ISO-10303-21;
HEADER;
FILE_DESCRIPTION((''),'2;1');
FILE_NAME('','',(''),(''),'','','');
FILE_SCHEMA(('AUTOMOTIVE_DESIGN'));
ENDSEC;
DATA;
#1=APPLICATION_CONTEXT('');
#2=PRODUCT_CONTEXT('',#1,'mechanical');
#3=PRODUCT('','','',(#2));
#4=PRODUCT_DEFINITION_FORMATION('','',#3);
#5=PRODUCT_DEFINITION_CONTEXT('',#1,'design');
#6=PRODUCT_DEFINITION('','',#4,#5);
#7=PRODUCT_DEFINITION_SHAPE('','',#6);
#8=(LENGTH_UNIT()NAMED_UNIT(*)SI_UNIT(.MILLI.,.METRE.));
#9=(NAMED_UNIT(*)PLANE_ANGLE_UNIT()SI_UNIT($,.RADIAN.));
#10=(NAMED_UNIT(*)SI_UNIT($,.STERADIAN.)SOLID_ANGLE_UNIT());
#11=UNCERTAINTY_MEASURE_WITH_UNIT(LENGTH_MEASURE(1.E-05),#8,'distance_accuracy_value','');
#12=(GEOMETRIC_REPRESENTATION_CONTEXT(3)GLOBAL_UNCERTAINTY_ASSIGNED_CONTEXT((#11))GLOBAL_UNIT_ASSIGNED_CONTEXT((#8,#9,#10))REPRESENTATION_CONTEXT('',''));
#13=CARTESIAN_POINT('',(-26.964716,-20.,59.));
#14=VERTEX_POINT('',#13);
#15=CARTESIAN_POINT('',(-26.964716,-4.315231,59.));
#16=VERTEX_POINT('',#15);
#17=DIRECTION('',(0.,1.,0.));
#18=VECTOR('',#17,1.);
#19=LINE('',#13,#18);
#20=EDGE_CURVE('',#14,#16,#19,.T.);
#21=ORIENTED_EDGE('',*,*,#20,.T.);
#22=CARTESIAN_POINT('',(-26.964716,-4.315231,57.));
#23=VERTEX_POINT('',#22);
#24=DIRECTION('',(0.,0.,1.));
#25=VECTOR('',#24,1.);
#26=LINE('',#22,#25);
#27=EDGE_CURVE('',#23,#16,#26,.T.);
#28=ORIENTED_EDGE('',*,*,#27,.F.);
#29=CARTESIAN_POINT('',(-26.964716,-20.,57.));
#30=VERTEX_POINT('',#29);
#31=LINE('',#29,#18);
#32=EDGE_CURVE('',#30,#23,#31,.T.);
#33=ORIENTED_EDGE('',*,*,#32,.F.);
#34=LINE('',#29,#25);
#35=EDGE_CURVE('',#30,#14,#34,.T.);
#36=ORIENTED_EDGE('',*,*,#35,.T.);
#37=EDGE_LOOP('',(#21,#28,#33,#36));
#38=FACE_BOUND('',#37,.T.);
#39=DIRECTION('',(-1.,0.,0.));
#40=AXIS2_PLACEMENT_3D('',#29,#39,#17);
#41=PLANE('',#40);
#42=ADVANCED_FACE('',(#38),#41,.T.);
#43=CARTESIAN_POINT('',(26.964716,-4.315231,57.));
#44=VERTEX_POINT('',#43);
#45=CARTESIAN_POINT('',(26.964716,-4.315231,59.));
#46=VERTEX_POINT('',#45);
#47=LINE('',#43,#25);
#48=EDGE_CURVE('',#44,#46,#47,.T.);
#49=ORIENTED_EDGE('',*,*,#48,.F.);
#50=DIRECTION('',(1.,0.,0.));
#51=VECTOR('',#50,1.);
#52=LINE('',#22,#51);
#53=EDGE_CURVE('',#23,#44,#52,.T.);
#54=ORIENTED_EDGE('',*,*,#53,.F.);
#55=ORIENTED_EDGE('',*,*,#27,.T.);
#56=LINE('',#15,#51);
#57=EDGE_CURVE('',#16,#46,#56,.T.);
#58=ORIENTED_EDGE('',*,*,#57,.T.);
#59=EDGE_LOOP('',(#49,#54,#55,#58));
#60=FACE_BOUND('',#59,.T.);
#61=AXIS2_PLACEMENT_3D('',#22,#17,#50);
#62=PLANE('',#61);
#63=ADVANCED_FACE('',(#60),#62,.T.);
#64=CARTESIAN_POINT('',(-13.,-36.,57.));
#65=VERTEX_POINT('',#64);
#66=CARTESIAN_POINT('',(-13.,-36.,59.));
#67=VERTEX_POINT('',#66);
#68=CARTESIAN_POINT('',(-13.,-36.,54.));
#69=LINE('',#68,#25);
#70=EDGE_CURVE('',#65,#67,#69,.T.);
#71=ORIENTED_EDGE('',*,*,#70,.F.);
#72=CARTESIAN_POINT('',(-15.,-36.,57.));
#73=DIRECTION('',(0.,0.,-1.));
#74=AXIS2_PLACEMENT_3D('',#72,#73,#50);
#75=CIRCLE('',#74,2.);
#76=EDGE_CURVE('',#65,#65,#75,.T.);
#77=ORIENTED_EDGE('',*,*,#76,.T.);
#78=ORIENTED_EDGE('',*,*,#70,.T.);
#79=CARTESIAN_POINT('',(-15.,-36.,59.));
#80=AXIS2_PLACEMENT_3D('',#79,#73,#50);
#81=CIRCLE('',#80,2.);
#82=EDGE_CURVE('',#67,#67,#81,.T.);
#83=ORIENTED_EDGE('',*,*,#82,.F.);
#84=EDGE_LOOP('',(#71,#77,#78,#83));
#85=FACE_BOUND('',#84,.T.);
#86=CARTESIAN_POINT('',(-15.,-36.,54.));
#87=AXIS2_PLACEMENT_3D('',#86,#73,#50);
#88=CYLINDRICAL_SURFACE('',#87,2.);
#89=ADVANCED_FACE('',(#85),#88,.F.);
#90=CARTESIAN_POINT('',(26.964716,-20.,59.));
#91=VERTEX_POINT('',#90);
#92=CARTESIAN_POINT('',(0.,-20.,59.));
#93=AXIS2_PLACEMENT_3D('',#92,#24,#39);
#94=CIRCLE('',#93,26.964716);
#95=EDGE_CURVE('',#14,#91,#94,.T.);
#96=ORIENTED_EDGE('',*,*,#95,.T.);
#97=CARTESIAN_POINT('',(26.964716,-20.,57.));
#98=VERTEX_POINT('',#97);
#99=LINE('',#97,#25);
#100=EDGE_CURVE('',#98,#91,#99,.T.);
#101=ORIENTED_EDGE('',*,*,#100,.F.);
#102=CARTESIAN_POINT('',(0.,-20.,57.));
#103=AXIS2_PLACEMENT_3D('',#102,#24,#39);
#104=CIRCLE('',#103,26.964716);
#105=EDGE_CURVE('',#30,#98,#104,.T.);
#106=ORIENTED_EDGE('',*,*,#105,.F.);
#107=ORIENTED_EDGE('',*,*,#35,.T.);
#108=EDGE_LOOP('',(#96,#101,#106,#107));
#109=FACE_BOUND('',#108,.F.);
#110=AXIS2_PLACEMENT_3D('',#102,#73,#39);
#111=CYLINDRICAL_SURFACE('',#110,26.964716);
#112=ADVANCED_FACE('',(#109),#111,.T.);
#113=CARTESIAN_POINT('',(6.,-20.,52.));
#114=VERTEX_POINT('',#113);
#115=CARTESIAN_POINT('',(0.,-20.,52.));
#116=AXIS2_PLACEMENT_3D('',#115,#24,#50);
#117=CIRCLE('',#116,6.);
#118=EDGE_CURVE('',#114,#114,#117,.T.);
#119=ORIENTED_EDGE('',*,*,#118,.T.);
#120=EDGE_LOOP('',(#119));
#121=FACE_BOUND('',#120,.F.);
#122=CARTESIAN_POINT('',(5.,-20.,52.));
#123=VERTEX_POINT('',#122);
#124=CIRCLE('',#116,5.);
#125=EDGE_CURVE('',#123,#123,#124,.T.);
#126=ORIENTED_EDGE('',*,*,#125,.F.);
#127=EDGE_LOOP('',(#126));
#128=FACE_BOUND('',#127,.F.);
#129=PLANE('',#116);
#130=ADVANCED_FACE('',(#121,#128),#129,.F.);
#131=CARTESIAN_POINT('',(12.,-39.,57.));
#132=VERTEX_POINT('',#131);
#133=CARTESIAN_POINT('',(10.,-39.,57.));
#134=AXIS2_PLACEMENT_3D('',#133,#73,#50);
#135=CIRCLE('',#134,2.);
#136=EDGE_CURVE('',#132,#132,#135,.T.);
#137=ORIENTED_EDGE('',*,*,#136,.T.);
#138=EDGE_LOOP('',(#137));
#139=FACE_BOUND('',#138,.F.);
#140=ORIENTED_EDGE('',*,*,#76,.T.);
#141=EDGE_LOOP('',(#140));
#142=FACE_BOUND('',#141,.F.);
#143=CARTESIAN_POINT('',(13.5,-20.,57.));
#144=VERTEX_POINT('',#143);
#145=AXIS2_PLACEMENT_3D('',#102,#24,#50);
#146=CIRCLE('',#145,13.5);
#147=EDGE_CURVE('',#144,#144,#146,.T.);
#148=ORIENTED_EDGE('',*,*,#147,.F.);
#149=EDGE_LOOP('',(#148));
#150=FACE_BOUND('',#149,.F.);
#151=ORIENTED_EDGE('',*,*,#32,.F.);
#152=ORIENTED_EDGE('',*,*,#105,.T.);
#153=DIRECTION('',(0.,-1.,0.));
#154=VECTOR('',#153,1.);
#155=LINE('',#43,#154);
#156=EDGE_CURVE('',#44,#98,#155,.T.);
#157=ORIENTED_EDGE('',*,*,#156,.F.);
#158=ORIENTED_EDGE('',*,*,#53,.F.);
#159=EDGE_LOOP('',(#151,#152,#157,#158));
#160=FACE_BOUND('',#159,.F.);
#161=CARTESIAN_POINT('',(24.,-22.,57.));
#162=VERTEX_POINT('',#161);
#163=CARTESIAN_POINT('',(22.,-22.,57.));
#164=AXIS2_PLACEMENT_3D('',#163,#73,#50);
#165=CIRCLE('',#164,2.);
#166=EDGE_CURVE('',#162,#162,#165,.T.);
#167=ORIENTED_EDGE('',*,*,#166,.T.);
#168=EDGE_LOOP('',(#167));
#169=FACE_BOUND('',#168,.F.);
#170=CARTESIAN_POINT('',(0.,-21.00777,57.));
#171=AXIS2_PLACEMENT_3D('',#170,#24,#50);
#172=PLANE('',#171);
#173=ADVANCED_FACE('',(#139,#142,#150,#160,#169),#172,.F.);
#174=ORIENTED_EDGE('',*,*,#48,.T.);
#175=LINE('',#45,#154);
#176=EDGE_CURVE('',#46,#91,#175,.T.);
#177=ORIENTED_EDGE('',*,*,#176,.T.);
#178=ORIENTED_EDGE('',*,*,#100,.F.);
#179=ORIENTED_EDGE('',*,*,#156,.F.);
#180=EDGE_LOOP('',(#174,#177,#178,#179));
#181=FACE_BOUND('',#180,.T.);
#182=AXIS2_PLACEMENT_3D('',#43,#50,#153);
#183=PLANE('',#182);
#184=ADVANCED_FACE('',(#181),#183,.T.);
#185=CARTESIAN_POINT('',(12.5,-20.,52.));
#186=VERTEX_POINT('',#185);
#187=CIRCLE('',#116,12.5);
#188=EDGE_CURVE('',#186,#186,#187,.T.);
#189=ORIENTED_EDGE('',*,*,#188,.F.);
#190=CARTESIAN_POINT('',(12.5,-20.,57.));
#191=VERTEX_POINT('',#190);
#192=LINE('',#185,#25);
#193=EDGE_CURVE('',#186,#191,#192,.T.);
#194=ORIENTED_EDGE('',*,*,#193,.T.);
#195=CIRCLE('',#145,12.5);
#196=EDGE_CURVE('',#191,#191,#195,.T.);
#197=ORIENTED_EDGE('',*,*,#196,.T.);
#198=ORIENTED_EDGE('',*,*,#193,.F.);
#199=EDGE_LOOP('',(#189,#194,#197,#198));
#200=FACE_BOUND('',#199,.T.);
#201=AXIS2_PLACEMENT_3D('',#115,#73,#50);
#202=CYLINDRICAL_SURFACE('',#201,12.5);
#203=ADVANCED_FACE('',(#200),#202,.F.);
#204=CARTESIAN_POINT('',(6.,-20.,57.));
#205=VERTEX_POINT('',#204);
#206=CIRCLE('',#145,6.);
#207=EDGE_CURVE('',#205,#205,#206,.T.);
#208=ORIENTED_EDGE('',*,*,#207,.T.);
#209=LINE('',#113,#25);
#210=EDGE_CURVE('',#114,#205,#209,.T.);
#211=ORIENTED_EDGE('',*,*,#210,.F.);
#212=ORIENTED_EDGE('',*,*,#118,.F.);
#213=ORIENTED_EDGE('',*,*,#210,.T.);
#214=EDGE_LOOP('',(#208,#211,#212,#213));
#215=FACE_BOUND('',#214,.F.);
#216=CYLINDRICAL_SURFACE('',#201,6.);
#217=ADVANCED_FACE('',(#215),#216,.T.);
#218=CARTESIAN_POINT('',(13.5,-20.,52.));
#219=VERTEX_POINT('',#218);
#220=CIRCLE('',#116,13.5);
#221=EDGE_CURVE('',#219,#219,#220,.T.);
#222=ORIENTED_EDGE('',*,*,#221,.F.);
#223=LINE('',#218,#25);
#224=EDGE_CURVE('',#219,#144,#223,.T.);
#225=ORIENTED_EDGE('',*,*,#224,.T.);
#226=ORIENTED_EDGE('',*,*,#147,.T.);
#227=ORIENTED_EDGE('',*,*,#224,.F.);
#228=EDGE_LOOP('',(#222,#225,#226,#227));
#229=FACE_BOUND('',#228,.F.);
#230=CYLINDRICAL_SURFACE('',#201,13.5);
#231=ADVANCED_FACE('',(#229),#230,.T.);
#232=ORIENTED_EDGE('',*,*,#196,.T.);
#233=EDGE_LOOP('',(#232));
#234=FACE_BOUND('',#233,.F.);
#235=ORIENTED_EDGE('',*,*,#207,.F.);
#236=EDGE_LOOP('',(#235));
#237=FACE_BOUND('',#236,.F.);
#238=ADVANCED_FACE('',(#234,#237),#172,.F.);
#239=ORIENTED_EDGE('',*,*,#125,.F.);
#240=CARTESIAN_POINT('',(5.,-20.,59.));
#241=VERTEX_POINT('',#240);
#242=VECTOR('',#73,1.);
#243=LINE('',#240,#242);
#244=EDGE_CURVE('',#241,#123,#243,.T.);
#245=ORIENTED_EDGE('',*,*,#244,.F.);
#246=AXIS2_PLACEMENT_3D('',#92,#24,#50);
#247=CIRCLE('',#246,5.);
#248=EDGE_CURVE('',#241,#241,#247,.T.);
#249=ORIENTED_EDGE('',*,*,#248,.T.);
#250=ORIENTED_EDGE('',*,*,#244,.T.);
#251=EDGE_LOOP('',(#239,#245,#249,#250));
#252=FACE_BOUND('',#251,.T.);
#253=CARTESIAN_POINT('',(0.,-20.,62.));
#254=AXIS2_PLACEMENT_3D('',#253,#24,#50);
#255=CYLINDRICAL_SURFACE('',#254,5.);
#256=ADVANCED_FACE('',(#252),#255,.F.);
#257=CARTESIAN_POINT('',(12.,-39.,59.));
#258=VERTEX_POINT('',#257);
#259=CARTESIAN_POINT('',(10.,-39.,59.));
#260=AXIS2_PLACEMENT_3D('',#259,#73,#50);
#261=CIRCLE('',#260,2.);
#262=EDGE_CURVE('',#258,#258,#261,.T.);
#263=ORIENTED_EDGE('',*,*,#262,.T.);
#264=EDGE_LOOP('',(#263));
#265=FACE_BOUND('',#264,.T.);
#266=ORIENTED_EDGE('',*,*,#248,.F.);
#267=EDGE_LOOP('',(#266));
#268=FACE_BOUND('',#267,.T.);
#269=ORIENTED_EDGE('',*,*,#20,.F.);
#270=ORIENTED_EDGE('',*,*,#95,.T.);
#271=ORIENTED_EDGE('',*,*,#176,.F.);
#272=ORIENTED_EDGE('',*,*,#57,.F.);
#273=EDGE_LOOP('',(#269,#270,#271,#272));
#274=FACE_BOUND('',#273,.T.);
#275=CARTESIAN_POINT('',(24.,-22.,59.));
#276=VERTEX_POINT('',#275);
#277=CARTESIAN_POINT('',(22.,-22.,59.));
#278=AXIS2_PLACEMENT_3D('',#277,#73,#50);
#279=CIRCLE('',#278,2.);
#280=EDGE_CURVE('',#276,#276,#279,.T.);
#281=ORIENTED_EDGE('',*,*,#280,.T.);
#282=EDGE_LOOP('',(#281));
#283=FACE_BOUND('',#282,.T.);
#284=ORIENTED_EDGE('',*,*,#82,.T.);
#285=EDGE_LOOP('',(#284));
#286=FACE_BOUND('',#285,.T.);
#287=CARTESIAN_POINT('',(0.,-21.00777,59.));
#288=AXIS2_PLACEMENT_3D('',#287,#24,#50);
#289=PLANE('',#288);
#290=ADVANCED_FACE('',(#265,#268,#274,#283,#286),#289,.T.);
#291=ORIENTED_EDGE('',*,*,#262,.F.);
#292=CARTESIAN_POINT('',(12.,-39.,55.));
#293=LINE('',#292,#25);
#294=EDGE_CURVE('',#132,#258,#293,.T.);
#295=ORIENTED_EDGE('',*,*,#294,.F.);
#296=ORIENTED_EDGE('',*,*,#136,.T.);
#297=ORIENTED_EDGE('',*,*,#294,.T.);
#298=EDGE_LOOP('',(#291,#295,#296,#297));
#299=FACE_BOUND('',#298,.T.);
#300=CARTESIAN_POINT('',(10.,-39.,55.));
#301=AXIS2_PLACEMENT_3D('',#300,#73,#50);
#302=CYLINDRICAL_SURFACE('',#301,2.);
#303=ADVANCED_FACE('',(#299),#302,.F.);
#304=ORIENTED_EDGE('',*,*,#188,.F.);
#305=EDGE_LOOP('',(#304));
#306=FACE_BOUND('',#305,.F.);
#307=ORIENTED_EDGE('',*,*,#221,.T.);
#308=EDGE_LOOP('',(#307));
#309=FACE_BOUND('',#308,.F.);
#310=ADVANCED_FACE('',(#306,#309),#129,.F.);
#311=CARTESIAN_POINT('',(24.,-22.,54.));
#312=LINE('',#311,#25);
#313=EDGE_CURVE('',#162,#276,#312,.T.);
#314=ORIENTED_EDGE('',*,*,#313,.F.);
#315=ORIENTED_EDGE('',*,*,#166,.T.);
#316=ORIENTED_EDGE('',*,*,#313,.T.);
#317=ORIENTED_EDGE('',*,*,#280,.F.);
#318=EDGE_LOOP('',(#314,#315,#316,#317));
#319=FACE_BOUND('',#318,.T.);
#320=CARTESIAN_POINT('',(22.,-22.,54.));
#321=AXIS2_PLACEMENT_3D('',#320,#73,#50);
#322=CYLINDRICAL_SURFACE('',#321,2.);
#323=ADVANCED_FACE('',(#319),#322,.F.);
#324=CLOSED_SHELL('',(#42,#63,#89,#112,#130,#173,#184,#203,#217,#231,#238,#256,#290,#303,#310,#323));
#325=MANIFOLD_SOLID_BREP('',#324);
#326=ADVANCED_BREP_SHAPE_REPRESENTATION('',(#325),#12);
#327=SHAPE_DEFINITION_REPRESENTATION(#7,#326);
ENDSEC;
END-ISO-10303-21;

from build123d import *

# Parameters (mm, degrees)
CYLINDER003_R     = 5
CYLINDER003_DEPTH = 10
CYLINDER001_R     = 2
CYLINDER001_DEPTH = 10
CYLINDER002_R     = 2
CYLINDER002_DEPTH = 10
CYLINDER_R        = 2
CYLINDER_DEPTH    = 10
EXTRUDE005_DEPTH  = 2
SKETCH003_R       = 13.5
SKETCH003_R_2     = 12.5
SKETCH003_R_3     = 6
SKETCH003_R_4     = 5
EXTRUDE003_DEPTH  = 5


with BuildPart() as cylinder003:
    # Cylinder003 → Cylinder003 (new body)
    with BuildSketch(Plane(origin=(0, -20, 62), x_dir=(1, 0, 0), z_dir=(0, 0, -1))):
        Circle(CYLINDER003_R)
    extrude(amount=CYLINDER003_DEPTH)


with BuildPart() as cylinder001:
    # Cylinder001 → Cylinder001 (new body)
    with BuildSketch(Plane(origin=(10, -39, 55), x_dir=(1, 0, 0), z_dir=(0, 0, 1))):
        Circle(CYLINDER001_R)
    extrude(amount=CYLINDER001_DEPTH)


with BuildPart() as cylinder002:
    # Cylinder002 → Cylinder002 (new body)
    with BuildSketch(Plane(origin=(-15, -36, 54), x_dir=(1, 0, 0), z_dir=(0, 0, 1))):
        Circle(CYLINDER002_R)
    extrude(amount=CYLINDER002_DEPTH)


with BuildPart() as cylinder:
    # Cylinder → Cylinder (new body)
    with BuildSketch(Plane(origin=(22, -22, 54), x_dir=(1, 0, 0), z_dir=(0, 0, 1))):
        Circle(CYLINDER_R)
    extrude(amount=CYLINDER_DEPTH)


with BuildPart() as extrude005:
    # Sketch004 (on Face4 of Extrude003) → Extrude005 (new body)
    with BuildSketch(Plane.XY.offset(57)):
        with BuildLine():
            ThreePointArc((-26.964716, -20), (0, -46.964716), (26.964716, -20))
            Line((26.964716, -4.315231), (26.964716, -20))
            Line((-26.964716, -4.315231), (26.964716, -4.315231))
            Line((-26.964716, -20), (-26.964716, -4.315231))
        make_face()
    extrude(amount=EXTRUDE005_DEPTH)


with BuildPart() as cut003:
    # Sketch003 → Extrude003 (new body)
    with BuildSketch(Plane.XY.offset(52)):
        with Locations((0, -20)):
            Circle(SKETCH003_R)
        with Locations((0, -20)):
            Circle(SKETCH003_R_2, mode=Mode.SUBTRACT)
        with Locations((0, -20)):
            Circle(SKETCH003_R_3)
        with Locations((0, -20)):
            Circle(SKETCH003_R_4, mode=Mode.SUBTRACT)
    extrude(amount=EXTRUDE003_DEPTH)

    # Fusion: union Extrude005
    add(extrude005.part)

    # Cut: cut Cylinder
    add(cylinder.part, mode=Mode.SUBTRACT)

    # Cut001: cut Cylinder002
    add(cylinder002.part, mode=Mode.SUBTRACT)

    # Cut002: cut Cylinder001
    add(cylinder001.part, mode=Mode.SUBTRACT)

    # Cut003: cut Cylinder003
    add(cylinder003.part, mode=Mode.SUBTRACT)


solid = cut003.part
